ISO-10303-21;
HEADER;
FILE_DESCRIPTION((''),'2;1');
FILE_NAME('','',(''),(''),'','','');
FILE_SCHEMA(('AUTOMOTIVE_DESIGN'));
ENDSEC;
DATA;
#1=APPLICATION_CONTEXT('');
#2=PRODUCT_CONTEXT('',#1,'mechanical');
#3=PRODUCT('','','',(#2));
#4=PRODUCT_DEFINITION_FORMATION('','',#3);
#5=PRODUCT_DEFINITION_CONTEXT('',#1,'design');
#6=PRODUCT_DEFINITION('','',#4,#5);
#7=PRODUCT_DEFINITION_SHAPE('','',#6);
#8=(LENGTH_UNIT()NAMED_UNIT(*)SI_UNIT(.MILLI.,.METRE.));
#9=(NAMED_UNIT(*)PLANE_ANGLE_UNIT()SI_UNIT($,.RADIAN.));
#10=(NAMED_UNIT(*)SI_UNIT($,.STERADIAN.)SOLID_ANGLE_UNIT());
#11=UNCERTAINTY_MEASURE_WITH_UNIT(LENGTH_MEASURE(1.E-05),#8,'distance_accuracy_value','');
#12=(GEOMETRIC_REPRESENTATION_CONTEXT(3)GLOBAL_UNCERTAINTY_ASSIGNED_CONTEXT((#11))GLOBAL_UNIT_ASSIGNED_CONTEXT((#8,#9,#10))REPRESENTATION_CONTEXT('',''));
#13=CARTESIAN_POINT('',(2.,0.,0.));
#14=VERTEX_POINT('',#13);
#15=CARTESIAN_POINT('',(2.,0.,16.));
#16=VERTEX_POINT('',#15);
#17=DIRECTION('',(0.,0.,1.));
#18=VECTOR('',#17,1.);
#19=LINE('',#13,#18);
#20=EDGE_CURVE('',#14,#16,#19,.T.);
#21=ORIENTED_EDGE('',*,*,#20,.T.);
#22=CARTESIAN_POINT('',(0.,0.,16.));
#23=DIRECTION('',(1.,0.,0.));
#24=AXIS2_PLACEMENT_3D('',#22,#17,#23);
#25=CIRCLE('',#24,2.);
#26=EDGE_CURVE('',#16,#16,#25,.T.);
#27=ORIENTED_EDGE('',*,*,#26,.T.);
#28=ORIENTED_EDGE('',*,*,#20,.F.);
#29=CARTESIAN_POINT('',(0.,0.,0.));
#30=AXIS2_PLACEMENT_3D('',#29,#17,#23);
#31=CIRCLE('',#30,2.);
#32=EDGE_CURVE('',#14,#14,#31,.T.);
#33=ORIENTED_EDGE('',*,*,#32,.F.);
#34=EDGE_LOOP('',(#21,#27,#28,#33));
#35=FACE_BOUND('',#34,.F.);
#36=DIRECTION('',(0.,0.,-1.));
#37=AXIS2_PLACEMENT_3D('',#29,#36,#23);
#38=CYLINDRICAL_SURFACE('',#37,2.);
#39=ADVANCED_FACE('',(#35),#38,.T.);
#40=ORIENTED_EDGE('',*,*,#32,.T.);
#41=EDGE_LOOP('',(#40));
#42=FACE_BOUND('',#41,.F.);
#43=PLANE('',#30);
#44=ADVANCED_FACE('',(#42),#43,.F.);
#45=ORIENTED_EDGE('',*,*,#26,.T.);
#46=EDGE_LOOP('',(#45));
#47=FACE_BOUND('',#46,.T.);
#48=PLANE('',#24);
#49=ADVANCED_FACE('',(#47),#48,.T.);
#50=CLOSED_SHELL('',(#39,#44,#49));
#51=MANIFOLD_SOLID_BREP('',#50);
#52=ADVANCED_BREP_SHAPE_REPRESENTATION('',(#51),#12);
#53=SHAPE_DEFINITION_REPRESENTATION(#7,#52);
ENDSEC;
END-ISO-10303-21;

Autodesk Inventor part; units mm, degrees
ref_plane "YZ Plane" through (0, 0, 0) normal (1, 0, 0) x (0, 1, 0)
ref_plane "XZ Plane" through (0, 0, 0) normal (0, 1, 0) x (-1, 0, 0)
ref_plane "XY Plane" through (0, 0, 0) normal (0, 0, 1) x (1, 0, 0)
sketch "Sketch1" plane through (0, 0, 0) normal (0, 0, 1) x (1, 0, 0)
  circle A0 centre (0, 0) radius 2
  dimension "d0" = 4
extrude "Extrusion1" add sketch "Sketch1" along normal blind 16
properties part number "13 s"
